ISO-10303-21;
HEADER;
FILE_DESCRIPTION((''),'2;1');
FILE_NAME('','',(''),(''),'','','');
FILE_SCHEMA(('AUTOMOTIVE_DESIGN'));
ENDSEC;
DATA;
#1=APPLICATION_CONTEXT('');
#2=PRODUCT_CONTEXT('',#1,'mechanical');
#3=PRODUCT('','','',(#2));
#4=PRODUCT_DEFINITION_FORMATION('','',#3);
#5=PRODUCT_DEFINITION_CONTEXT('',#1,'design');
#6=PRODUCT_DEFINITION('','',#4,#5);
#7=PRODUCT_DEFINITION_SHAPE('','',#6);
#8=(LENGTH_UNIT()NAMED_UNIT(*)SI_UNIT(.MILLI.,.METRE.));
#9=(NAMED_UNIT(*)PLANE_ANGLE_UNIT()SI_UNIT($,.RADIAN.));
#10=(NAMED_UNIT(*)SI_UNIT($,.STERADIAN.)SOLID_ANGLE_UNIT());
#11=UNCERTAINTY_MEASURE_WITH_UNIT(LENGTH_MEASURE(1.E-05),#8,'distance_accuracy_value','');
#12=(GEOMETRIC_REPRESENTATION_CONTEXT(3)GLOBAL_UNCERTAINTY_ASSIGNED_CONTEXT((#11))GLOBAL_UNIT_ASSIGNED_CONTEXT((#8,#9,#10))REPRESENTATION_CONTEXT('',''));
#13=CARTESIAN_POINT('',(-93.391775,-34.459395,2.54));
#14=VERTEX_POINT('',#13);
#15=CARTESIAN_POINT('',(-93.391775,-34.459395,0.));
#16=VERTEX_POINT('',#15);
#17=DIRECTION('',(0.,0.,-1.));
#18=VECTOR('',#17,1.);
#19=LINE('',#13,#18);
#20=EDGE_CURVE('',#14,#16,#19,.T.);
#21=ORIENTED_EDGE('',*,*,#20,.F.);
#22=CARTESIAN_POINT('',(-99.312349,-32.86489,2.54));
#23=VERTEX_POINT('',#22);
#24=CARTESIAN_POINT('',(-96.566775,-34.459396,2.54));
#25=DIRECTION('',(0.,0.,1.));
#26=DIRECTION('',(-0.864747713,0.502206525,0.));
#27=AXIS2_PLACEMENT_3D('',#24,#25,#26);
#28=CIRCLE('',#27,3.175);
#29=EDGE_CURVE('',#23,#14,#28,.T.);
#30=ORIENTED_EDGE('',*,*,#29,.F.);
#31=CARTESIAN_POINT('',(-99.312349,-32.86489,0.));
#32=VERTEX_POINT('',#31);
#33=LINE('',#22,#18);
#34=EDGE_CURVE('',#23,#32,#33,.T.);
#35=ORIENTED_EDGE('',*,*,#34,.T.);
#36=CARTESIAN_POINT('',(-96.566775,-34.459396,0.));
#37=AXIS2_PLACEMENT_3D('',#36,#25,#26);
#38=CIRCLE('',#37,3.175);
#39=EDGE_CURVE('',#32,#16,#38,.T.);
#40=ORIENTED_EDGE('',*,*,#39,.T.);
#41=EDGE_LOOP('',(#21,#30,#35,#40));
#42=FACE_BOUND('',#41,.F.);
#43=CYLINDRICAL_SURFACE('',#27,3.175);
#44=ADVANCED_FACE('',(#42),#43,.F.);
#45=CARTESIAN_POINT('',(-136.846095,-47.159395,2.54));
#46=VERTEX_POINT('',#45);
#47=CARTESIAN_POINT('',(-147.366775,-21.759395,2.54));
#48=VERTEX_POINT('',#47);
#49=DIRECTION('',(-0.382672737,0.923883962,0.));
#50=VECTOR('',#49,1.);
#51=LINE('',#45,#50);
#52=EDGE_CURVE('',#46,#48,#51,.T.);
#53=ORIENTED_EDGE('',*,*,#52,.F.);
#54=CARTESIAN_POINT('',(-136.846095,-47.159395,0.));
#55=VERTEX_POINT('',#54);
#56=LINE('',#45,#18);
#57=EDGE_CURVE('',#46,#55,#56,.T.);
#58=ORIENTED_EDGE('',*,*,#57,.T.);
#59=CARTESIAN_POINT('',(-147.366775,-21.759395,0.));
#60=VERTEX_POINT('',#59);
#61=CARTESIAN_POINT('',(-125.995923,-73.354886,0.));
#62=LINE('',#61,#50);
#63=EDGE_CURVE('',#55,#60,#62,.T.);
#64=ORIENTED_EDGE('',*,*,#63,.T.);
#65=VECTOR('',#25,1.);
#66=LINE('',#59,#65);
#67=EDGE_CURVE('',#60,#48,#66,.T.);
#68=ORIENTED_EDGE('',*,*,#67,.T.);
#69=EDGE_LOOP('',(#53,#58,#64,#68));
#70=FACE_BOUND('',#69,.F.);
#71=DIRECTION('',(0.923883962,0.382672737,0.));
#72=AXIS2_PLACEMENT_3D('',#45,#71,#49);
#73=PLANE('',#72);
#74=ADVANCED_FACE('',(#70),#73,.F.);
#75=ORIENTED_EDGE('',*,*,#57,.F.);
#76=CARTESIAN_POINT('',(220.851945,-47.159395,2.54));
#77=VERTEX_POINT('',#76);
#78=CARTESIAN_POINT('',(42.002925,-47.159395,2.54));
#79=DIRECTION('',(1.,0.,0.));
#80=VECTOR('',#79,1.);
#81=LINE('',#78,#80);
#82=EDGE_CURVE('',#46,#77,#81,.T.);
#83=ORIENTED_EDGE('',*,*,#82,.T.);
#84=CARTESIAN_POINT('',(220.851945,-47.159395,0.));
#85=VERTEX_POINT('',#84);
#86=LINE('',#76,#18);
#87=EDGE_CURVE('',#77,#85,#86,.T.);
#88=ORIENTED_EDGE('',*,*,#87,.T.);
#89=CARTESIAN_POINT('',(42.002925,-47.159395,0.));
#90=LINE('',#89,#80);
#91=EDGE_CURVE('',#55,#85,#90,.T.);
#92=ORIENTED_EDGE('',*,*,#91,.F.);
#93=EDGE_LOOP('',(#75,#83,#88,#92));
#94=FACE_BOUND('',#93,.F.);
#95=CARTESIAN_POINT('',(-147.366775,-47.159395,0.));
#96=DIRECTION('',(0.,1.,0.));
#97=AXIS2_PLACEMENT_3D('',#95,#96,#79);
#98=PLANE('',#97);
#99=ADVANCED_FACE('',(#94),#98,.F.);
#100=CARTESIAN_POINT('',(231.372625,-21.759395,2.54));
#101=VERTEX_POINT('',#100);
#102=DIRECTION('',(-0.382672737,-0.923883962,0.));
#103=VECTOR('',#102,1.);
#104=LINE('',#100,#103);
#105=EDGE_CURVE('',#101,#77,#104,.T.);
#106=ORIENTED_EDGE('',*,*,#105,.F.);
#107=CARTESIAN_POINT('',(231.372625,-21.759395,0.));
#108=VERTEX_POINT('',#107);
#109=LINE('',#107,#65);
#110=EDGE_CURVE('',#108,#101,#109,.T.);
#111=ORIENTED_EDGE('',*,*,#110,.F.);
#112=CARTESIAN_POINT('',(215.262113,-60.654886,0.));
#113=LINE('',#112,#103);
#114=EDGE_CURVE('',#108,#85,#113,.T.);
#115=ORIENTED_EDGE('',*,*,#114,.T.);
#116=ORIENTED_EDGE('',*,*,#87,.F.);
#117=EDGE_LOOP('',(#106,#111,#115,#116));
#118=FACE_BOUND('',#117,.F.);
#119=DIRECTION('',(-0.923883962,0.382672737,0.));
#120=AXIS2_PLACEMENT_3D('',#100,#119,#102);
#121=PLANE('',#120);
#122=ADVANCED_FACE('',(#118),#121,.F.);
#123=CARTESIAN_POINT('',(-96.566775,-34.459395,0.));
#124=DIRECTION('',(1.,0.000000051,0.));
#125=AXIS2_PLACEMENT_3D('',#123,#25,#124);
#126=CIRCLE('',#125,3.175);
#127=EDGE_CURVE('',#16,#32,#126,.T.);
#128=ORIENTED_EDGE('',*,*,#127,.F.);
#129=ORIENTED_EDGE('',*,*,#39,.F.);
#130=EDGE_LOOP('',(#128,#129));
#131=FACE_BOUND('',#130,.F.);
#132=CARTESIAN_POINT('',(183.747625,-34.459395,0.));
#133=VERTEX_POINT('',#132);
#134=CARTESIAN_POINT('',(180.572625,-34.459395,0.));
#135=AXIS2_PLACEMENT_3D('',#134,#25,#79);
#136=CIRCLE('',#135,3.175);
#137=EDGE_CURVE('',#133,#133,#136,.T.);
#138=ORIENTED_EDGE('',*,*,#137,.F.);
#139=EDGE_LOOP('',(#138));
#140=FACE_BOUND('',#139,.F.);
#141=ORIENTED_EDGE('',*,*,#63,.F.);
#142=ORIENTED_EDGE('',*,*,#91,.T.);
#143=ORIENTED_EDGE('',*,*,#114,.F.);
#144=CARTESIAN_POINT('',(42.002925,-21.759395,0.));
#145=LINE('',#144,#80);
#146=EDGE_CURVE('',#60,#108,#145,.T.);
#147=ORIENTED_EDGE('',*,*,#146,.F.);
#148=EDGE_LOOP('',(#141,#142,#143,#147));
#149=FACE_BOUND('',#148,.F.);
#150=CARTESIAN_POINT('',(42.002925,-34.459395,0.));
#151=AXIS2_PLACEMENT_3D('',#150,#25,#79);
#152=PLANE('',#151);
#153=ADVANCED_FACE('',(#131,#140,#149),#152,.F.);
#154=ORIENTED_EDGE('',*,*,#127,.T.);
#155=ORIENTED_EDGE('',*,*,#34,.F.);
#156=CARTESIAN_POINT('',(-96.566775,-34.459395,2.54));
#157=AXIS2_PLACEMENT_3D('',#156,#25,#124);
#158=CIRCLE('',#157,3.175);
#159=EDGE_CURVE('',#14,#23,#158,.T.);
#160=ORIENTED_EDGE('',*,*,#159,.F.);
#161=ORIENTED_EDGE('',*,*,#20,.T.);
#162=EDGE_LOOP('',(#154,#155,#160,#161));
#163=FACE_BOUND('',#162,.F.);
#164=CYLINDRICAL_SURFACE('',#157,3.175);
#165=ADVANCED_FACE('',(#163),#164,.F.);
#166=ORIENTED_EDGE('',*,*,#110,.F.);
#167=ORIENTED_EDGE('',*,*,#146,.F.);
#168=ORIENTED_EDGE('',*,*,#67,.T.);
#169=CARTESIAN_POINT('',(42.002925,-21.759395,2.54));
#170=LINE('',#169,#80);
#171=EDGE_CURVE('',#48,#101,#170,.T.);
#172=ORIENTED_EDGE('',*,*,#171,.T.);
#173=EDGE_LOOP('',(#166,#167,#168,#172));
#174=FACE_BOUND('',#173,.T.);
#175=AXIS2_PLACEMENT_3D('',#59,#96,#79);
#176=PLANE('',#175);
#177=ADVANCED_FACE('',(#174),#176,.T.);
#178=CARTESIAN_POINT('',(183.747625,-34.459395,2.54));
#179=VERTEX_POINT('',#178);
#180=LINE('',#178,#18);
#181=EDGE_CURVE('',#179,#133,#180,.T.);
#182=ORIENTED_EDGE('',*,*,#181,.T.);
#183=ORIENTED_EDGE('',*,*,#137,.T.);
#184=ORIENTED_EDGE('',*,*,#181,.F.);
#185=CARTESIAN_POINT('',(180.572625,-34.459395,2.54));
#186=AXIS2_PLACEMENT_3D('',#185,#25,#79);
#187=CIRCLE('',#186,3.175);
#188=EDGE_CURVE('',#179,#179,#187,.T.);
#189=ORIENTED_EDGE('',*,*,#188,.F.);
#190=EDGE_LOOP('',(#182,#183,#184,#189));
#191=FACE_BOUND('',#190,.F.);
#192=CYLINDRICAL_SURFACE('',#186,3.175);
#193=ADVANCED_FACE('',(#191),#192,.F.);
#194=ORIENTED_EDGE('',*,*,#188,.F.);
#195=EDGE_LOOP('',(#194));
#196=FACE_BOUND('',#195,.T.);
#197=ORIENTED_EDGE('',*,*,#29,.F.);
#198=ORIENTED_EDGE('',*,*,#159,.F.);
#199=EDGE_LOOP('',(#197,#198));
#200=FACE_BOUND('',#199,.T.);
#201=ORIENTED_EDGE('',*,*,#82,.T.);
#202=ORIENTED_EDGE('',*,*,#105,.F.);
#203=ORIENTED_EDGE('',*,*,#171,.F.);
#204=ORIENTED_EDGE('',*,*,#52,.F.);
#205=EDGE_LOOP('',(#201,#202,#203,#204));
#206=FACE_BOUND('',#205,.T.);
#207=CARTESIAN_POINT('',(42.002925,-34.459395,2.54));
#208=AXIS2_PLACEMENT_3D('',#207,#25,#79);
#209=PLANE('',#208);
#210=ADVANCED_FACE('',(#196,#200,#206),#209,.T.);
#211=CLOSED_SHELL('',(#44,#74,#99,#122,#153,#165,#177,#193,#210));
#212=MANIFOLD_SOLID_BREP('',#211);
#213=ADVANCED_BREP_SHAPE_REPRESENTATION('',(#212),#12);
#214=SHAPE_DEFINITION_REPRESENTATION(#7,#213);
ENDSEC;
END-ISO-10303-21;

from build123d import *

# Parameters (mm, degrees)
F0_W     = 378.7394
F0_H     = 25.4
F1_DEPTH = 2.54
F3_DEPTH = 2.541
F5_DEPTH = 2.541


with BuildPart() as f1:
    # F0 (on Top) → F1 (new body)
    with BuildSketch(Plane.XY):
        with Locations((42.002925, -34.459395)):
            Rectangle(F0_W, F0_H)
    extrude(amount=F1_DEPTH)

    # F2 (on face) → F3 (cut, through all)
    with BuildSketch(Plane.XY.offset(2.54)):
        Polygon((-136.846095, -47.159395), (-147.366775, -21.759395), (-147.366775, -47.159395), align=None)
        Polygon((231.372625, -47.159395), (231.372625, -21.759395), (220.851945, -47.159395), align=None)
    extrude(amount=-F3_DEPTH, mode=Mode.SUBTRACT)

    # F4 (on face) → F5 (cut, through all)
    with BuildSketch(Plane.XY.offset(2.54)):
        with BuildLine():
            ThreePointArc((-99.312349, -32.86489), (-97.392435, -37.52516), (-93.391775, -34.459395))
            ThreePointArc((-93.391775, -34.459395), (-95.741115, -31.393631), (-99.312349, -32.86489))
        make_face()
        with BuildLine():
            ThreePointArc((177.397625, -34.459395), (180.572625, -37.634395), (183.747625, -34.459395))
            ThreePointArc((183.747625, -34.459395), (180.572625, -31.284395), (177.397625, -34.459395))
        make_face()
    extrude(amount=-F5_DEPTH, mode=Mode.SUBTRACT)


solid = f1.part
